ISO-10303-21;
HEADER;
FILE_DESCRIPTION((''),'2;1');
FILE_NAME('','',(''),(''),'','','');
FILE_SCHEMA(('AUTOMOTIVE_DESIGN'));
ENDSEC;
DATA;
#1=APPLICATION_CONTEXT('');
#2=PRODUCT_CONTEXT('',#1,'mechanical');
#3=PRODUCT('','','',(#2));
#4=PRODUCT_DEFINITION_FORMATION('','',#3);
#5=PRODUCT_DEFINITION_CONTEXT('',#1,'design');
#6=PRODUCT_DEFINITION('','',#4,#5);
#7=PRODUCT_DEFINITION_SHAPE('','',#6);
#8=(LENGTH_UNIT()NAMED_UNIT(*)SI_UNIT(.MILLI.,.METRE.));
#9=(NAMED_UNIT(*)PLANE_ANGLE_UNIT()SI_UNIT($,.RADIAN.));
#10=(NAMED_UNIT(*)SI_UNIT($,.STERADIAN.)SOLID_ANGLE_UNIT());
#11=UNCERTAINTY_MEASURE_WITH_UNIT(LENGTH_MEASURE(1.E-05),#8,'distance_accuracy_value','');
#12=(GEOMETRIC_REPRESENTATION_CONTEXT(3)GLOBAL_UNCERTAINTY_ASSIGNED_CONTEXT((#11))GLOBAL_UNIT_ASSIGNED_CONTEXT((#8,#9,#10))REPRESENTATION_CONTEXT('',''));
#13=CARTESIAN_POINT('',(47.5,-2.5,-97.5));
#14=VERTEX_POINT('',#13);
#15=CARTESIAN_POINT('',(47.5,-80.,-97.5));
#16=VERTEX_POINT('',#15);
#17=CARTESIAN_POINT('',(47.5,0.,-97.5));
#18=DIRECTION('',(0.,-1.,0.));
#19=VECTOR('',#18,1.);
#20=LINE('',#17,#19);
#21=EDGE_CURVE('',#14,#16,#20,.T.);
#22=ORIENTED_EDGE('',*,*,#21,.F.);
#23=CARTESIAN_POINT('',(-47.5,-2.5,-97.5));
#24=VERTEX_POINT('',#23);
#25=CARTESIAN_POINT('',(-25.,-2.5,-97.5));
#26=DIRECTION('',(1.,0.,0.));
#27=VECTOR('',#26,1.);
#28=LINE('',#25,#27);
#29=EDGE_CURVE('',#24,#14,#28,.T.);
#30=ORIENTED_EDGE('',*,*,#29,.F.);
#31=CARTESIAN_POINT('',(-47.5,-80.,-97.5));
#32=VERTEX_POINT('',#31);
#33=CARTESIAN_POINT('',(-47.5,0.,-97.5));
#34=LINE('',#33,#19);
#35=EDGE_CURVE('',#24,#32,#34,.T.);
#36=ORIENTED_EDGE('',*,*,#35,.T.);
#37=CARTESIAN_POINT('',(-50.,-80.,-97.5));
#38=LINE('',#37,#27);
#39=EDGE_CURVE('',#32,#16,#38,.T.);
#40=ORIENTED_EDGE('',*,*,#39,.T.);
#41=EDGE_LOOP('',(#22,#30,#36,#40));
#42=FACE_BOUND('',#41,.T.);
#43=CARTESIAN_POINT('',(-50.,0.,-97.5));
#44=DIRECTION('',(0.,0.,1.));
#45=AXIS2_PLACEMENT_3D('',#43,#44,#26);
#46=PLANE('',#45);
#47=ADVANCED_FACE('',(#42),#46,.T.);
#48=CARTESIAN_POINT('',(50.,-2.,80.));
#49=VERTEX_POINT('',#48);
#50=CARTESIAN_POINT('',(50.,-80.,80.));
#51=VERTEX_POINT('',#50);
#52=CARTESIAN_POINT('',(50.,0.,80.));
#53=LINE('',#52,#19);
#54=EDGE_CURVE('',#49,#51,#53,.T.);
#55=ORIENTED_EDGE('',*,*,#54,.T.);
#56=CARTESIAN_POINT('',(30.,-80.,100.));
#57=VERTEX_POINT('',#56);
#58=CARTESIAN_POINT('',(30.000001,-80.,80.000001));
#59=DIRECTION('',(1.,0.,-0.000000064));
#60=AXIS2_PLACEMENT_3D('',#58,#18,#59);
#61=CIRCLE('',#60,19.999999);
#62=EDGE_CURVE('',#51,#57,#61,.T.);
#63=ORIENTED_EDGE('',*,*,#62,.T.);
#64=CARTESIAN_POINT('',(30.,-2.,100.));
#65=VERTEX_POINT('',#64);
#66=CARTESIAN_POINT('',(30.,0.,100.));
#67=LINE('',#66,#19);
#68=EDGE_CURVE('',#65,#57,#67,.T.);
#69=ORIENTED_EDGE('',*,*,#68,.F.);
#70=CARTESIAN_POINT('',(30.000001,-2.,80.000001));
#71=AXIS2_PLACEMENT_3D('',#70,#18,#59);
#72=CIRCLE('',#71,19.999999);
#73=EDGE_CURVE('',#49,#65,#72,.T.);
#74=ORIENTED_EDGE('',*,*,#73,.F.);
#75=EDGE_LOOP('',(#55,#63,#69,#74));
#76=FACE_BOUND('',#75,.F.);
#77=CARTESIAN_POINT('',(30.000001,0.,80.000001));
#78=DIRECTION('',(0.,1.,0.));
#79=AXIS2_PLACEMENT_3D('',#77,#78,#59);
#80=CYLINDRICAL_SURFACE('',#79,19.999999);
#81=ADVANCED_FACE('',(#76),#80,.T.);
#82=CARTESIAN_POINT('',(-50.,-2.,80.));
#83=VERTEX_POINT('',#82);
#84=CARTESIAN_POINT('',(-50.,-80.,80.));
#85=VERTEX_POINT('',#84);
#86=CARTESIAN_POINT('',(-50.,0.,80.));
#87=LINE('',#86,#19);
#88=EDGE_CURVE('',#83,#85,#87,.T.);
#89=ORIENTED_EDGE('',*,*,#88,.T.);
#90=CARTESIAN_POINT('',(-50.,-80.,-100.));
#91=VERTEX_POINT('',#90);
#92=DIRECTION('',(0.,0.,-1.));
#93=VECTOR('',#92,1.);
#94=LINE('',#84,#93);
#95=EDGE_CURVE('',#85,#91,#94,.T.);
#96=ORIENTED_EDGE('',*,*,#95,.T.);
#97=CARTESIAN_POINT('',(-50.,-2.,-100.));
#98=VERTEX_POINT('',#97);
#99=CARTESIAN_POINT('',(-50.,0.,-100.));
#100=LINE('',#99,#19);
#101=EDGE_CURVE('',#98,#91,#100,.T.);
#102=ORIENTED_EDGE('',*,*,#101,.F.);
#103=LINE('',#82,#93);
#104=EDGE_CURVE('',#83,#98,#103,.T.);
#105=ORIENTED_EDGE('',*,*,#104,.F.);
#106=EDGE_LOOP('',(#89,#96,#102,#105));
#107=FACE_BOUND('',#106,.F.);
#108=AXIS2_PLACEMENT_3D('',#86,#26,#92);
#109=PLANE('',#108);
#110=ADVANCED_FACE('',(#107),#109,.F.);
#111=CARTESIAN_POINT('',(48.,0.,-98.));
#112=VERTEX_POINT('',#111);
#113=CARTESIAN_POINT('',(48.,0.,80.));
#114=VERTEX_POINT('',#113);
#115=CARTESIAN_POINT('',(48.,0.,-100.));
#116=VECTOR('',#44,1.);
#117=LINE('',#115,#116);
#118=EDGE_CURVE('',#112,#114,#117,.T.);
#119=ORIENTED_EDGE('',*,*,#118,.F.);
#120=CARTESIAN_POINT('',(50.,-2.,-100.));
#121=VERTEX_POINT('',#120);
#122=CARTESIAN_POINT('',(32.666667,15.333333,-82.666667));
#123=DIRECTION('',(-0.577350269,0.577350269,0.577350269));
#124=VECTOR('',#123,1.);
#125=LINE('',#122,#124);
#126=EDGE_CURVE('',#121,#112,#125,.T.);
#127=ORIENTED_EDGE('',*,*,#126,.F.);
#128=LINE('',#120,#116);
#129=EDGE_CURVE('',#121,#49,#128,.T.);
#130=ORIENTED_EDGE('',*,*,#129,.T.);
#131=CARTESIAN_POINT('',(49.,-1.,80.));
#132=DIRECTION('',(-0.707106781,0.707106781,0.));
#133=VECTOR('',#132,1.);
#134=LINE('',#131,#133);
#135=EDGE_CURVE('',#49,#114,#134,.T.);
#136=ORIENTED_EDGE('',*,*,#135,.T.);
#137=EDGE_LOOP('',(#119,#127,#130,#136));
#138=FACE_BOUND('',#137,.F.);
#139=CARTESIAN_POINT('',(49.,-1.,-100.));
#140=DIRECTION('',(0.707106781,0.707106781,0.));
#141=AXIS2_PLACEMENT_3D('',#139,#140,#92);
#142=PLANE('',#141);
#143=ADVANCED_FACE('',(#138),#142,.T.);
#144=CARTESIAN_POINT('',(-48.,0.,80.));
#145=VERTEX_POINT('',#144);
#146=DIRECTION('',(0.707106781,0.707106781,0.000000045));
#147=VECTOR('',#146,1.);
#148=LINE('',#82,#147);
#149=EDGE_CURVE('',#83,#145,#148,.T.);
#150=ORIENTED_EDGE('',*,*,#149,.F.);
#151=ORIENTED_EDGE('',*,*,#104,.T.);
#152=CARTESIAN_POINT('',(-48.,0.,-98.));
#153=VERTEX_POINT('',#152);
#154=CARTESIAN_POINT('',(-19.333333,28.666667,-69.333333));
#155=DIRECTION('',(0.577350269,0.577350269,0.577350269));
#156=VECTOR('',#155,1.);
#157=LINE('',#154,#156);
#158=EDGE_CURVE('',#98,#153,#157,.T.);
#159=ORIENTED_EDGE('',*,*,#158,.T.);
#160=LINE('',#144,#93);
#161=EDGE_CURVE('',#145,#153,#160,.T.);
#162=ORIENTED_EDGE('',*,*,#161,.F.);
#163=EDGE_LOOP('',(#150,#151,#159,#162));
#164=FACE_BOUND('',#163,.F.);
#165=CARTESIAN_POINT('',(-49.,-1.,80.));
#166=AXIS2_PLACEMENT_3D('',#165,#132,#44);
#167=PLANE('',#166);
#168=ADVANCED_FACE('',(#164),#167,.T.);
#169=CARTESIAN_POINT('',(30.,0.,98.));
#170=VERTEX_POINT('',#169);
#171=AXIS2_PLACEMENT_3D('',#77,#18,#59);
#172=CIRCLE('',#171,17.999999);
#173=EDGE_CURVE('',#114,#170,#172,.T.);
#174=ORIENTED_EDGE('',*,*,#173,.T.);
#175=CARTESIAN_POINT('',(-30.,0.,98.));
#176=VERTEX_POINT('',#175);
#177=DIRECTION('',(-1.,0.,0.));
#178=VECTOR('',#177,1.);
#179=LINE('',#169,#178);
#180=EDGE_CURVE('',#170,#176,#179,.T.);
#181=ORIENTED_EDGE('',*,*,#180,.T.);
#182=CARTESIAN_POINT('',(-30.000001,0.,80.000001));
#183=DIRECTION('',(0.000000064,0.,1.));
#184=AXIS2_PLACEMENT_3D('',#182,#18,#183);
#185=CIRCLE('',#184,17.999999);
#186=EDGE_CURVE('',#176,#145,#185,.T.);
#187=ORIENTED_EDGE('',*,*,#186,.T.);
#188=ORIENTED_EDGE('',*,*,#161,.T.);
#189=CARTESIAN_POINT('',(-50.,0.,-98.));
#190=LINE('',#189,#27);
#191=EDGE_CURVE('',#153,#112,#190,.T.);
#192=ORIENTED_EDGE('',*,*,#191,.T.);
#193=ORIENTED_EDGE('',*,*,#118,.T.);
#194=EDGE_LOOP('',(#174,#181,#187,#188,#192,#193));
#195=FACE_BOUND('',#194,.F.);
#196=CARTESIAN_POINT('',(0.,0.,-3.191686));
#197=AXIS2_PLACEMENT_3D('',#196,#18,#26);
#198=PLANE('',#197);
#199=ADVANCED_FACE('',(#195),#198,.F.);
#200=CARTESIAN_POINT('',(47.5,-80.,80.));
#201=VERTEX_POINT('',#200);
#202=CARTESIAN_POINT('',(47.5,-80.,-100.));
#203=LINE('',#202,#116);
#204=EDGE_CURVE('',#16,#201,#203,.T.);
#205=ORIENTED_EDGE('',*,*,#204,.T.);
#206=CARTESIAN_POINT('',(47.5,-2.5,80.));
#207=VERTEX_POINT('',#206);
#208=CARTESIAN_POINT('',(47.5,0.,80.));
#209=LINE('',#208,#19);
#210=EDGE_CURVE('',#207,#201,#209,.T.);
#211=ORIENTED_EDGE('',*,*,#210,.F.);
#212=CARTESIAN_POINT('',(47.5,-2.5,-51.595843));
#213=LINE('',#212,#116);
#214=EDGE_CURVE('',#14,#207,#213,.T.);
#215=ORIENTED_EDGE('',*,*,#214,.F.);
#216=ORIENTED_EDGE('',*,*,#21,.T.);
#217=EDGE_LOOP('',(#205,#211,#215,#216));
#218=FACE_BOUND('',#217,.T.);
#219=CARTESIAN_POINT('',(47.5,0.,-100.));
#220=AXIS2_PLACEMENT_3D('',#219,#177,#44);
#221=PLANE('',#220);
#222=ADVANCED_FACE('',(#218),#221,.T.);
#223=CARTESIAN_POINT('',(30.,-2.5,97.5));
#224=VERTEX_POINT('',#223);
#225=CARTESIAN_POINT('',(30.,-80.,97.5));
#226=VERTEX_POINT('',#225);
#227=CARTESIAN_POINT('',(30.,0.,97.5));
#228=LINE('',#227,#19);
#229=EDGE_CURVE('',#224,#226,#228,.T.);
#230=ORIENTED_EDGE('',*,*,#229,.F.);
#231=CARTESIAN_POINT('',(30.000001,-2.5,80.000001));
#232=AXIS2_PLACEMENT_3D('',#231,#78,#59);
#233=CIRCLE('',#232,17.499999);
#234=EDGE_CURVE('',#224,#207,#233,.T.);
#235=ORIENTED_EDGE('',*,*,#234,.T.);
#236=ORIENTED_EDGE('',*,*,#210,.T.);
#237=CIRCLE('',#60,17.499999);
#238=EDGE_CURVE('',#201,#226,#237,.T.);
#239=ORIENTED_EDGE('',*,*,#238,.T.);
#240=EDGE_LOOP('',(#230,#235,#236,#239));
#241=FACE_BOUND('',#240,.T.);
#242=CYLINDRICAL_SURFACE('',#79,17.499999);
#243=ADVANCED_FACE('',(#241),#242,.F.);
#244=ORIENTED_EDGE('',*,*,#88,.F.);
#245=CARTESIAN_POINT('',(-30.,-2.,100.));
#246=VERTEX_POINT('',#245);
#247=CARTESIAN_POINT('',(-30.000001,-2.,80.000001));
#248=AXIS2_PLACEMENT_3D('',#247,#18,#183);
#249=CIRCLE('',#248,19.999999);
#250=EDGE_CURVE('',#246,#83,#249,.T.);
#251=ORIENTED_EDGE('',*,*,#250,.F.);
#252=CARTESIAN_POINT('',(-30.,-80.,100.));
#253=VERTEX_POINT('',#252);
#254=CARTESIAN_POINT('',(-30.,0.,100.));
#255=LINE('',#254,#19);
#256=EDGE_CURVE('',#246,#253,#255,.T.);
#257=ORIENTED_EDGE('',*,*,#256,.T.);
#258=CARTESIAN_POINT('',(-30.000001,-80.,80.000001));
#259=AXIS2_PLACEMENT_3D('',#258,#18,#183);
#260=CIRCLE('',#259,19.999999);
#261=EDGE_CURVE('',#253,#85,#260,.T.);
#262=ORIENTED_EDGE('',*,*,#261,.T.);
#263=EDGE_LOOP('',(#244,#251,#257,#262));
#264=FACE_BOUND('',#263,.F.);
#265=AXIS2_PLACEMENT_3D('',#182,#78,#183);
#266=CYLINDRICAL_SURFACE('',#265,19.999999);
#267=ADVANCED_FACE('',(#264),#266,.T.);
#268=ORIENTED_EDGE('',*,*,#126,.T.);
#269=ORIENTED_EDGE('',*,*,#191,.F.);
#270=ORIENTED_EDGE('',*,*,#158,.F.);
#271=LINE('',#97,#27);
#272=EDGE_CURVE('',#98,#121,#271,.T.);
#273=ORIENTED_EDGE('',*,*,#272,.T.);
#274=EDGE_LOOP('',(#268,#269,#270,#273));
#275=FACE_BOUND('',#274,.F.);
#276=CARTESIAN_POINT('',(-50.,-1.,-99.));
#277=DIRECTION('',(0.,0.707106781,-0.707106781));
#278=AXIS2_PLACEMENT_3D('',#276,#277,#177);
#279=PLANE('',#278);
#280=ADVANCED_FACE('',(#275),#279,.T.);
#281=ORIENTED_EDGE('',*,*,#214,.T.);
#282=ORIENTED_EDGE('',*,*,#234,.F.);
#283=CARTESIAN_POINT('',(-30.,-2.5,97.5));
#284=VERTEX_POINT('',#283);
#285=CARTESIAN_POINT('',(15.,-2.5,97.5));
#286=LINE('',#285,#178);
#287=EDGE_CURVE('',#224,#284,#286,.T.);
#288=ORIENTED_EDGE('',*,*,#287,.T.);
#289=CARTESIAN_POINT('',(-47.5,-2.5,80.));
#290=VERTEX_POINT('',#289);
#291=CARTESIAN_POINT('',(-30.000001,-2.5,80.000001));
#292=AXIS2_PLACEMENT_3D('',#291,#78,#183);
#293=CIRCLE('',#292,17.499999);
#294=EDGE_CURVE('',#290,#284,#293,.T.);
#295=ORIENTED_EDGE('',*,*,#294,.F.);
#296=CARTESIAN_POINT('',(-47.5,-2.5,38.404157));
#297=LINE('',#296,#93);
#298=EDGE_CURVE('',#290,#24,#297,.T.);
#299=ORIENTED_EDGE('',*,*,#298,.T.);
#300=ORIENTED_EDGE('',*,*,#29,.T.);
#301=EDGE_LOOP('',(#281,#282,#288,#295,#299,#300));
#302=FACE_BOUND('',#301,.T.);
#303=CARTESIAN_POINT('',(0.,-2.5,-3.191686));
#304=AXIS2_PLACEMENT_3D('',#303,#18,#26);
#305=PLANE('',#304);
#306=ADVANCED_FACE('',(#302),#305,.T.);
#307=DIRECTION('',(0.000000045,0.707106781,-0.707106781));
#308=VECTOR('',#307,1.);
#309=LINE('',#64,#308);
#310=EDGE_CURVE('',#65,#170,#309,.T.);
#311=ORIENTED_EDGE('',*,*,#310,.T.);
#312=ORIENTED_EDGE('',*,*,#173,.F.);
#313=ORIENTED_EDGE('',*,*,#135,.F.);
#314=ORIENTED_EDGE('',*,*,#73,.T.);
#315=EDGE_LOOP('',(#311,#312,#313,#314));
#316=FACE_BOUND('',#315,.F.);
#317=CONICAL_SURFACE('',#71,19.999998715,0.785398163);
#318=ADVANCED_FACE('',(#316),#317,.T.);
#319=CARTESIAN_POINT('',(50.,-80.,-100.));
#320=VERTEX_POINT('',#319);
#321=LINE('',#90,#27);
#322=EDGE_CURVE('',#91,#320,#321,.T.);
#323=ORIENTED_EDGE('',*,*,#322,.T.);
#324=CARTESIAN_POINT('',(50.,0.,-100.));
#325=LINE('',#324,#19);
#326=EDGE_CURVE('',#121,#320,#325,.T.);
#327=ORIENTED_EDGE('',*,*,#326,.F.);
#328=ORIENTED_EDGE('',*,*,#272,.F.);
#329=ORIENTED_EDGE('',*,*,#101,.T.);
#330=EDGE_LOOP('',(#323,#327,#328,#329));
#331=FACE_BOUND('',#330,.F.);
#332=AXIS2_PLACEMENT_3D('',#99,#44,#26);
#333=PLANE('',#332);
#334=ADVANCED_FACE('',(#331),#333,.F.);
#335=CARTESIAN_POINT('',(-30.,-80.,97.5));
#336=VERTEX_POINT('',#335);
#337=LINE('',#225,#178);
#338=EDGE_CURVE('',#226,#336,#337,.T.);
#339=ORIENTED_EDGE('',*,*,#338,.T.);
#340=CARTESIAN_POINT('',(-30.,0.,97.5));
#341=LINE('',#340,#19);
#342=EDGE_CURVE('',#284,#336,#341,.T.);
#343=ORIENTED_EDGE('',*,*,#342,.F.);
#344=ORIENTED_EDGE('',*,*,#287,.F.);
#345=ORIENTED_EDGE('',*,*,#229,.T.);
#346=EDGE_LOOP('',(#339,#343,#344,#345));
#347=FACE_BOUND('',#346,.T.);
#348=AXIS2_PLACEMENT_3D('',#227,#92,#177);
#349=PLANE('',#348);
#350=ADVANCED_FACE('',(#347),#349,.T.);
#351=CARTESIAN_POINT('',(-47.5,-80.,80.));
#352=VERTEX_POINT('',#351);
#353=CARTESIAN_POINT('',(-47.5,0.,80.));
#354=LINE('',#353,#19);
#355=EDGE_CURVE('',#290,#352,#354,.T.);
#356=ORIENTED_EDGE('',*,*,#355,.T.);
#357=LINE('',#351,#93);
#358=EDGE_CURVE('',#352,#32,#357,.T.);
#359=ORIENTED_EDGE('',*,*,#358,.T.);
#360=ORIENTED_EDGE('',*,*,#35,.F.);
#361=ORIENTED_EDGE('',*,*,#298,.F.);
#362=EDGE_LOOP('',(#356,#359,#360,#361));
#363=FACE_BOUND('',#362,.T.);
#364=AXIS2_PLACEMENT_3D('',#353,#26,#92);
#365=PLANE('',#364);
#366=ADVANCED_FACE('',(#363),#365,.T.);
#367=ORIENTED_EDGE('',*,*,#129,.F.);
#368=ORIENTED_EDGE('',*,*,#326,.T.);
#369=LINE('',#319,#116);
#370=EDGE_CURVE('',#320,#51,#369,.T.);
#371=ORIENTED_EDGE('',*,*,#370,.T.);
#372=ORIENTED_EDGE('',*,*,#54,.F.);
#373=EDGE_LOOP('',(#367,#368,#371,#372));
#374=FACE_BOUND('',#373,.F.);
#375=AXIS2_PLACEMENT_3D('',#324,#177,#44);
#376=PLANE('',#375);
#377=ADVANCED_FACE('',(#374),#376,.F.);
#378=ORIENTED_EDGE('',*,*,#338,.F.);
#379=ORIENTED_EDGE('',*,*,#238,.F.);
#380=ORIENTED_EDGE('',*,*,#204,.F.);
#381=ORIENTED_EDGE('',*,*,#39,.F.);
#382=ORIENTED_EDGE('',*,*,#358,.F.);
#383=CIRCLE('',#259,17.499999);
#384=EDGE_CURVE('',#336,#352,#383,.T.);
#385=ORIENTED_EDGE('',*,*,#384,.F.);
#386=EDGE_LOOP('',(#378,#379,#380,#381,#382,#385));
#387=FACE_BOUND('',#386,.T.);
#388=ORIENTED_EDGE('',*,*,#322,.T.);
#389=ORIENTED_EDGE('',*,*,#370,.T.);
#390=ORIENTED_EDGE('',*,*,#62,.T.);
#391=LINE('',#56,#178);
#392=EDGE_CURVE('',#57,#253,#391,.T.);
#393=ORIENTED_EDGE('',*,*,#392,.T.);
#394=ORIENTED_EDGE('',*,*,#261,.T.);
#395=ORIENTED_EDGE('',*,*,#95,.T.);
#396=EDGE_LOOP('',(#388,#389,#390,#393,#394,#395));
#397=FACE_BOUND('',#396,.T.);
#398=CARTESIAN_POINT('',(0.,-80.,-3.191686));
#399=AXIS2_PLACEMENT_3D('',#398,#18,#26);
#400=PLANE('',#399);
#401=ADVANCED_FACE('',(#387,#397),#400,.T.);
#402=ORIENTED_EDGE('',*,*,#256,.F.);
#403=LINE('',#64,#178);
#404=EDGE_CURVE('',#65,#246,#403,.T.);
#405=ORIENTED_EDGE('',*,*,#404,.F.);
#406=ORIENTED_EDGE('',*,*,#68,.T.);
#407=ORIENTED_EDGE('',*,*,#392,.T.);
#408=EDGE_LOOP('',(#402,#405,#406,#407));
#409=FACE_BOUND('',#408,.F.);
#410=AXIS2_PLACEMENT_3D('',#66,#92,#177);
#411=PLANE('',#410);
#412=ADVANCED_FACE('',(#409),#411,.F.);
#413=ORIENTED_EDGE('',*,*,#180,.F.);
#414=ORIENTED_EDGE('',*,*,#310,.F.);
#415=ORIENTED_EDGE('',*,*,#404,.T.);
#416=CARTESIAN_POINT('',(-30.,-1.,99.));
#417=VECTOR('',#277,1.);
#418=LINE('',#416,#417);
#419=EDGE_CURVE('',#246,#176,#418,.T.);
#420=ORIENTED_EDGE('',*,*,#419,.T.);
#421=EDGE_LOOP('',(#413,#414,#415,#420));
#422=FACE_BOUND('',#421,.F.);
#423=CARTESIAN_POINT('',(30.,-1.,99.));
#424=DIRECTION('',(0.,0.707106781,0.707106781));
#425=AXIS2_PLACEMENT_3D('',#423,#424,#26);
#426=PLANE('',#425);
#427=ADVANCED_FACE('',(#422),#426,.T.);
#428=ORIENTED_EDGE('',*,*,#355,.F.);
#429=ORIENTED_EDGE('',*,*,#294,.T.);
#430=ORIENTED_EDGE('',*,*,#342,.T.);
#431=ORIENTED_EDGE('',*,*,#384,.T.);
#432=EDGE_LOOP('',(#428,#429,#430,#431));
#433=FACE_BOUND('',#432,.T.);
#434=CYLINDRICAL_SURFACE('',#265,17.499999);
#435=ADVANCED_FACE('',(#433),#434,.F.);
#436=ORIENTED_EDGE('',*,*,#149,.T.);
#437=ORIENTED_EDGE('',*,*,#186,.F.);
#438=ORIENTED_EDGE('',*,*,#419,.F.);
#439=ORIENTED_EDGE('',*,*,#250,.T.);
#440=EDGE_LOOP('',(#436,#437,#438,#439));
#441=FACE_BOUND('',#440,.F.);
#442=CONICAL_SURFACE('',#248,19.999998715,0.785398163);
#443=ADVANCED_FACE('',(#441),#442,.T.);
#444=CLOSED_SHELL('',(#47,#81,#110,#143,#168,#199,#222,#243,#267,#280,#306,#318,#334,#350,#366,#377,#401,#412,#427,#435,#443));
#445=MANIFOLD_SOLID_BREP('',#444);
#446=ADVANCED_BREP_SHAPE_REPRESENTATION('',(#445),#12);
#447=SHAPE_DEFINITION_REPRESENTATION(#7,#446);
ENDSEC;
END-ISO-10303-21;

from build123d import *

# Parameters (mm, degrees)
F1_DEPTH = 80
F2_T     = -2.5
F3_SIZE  = 2


with BuildPart() as f1:
    # F0 (on Front) → F1 (new body)
    with BuildSketch(Plane.XZ):
        with BuildLine():
            Line((30, 100), (-30, 100))
            ThreePointArc((-30, 100), (-44.142136, 94.142136), (-50, 80))
            Line((-50, 80), (-50, -100))
            Line((-50, -100), (50, -100))
            Line((50, -100), (50, 80))
            ThreePointArc((50, 80), (44.142136, 94.142136), (30, 100))
        make_face()
    extrude(amount=F1_DEPTH)

    # F2
    f2_openings = [f1.faces().sort_by_distance(p)[0] for p in [
        (0, -80, -0.82716),
    ]]
    offset(amount=F2_T, openings=f2_openings)

    # F3
    f3_edges = [f1.edges().sort_by_distance(p)[0] for p in [
        (50, 0, -10),
        (0, 0, 100),
        (-44.142136, 0, 94.142136),
        (-50, 0, -10),
        (0, 0, -100),
        (44.142136, 0, 94.142136),
    ]]
    chamfer(f3_edges, length=F3_SIZE)


solid = f1.part
